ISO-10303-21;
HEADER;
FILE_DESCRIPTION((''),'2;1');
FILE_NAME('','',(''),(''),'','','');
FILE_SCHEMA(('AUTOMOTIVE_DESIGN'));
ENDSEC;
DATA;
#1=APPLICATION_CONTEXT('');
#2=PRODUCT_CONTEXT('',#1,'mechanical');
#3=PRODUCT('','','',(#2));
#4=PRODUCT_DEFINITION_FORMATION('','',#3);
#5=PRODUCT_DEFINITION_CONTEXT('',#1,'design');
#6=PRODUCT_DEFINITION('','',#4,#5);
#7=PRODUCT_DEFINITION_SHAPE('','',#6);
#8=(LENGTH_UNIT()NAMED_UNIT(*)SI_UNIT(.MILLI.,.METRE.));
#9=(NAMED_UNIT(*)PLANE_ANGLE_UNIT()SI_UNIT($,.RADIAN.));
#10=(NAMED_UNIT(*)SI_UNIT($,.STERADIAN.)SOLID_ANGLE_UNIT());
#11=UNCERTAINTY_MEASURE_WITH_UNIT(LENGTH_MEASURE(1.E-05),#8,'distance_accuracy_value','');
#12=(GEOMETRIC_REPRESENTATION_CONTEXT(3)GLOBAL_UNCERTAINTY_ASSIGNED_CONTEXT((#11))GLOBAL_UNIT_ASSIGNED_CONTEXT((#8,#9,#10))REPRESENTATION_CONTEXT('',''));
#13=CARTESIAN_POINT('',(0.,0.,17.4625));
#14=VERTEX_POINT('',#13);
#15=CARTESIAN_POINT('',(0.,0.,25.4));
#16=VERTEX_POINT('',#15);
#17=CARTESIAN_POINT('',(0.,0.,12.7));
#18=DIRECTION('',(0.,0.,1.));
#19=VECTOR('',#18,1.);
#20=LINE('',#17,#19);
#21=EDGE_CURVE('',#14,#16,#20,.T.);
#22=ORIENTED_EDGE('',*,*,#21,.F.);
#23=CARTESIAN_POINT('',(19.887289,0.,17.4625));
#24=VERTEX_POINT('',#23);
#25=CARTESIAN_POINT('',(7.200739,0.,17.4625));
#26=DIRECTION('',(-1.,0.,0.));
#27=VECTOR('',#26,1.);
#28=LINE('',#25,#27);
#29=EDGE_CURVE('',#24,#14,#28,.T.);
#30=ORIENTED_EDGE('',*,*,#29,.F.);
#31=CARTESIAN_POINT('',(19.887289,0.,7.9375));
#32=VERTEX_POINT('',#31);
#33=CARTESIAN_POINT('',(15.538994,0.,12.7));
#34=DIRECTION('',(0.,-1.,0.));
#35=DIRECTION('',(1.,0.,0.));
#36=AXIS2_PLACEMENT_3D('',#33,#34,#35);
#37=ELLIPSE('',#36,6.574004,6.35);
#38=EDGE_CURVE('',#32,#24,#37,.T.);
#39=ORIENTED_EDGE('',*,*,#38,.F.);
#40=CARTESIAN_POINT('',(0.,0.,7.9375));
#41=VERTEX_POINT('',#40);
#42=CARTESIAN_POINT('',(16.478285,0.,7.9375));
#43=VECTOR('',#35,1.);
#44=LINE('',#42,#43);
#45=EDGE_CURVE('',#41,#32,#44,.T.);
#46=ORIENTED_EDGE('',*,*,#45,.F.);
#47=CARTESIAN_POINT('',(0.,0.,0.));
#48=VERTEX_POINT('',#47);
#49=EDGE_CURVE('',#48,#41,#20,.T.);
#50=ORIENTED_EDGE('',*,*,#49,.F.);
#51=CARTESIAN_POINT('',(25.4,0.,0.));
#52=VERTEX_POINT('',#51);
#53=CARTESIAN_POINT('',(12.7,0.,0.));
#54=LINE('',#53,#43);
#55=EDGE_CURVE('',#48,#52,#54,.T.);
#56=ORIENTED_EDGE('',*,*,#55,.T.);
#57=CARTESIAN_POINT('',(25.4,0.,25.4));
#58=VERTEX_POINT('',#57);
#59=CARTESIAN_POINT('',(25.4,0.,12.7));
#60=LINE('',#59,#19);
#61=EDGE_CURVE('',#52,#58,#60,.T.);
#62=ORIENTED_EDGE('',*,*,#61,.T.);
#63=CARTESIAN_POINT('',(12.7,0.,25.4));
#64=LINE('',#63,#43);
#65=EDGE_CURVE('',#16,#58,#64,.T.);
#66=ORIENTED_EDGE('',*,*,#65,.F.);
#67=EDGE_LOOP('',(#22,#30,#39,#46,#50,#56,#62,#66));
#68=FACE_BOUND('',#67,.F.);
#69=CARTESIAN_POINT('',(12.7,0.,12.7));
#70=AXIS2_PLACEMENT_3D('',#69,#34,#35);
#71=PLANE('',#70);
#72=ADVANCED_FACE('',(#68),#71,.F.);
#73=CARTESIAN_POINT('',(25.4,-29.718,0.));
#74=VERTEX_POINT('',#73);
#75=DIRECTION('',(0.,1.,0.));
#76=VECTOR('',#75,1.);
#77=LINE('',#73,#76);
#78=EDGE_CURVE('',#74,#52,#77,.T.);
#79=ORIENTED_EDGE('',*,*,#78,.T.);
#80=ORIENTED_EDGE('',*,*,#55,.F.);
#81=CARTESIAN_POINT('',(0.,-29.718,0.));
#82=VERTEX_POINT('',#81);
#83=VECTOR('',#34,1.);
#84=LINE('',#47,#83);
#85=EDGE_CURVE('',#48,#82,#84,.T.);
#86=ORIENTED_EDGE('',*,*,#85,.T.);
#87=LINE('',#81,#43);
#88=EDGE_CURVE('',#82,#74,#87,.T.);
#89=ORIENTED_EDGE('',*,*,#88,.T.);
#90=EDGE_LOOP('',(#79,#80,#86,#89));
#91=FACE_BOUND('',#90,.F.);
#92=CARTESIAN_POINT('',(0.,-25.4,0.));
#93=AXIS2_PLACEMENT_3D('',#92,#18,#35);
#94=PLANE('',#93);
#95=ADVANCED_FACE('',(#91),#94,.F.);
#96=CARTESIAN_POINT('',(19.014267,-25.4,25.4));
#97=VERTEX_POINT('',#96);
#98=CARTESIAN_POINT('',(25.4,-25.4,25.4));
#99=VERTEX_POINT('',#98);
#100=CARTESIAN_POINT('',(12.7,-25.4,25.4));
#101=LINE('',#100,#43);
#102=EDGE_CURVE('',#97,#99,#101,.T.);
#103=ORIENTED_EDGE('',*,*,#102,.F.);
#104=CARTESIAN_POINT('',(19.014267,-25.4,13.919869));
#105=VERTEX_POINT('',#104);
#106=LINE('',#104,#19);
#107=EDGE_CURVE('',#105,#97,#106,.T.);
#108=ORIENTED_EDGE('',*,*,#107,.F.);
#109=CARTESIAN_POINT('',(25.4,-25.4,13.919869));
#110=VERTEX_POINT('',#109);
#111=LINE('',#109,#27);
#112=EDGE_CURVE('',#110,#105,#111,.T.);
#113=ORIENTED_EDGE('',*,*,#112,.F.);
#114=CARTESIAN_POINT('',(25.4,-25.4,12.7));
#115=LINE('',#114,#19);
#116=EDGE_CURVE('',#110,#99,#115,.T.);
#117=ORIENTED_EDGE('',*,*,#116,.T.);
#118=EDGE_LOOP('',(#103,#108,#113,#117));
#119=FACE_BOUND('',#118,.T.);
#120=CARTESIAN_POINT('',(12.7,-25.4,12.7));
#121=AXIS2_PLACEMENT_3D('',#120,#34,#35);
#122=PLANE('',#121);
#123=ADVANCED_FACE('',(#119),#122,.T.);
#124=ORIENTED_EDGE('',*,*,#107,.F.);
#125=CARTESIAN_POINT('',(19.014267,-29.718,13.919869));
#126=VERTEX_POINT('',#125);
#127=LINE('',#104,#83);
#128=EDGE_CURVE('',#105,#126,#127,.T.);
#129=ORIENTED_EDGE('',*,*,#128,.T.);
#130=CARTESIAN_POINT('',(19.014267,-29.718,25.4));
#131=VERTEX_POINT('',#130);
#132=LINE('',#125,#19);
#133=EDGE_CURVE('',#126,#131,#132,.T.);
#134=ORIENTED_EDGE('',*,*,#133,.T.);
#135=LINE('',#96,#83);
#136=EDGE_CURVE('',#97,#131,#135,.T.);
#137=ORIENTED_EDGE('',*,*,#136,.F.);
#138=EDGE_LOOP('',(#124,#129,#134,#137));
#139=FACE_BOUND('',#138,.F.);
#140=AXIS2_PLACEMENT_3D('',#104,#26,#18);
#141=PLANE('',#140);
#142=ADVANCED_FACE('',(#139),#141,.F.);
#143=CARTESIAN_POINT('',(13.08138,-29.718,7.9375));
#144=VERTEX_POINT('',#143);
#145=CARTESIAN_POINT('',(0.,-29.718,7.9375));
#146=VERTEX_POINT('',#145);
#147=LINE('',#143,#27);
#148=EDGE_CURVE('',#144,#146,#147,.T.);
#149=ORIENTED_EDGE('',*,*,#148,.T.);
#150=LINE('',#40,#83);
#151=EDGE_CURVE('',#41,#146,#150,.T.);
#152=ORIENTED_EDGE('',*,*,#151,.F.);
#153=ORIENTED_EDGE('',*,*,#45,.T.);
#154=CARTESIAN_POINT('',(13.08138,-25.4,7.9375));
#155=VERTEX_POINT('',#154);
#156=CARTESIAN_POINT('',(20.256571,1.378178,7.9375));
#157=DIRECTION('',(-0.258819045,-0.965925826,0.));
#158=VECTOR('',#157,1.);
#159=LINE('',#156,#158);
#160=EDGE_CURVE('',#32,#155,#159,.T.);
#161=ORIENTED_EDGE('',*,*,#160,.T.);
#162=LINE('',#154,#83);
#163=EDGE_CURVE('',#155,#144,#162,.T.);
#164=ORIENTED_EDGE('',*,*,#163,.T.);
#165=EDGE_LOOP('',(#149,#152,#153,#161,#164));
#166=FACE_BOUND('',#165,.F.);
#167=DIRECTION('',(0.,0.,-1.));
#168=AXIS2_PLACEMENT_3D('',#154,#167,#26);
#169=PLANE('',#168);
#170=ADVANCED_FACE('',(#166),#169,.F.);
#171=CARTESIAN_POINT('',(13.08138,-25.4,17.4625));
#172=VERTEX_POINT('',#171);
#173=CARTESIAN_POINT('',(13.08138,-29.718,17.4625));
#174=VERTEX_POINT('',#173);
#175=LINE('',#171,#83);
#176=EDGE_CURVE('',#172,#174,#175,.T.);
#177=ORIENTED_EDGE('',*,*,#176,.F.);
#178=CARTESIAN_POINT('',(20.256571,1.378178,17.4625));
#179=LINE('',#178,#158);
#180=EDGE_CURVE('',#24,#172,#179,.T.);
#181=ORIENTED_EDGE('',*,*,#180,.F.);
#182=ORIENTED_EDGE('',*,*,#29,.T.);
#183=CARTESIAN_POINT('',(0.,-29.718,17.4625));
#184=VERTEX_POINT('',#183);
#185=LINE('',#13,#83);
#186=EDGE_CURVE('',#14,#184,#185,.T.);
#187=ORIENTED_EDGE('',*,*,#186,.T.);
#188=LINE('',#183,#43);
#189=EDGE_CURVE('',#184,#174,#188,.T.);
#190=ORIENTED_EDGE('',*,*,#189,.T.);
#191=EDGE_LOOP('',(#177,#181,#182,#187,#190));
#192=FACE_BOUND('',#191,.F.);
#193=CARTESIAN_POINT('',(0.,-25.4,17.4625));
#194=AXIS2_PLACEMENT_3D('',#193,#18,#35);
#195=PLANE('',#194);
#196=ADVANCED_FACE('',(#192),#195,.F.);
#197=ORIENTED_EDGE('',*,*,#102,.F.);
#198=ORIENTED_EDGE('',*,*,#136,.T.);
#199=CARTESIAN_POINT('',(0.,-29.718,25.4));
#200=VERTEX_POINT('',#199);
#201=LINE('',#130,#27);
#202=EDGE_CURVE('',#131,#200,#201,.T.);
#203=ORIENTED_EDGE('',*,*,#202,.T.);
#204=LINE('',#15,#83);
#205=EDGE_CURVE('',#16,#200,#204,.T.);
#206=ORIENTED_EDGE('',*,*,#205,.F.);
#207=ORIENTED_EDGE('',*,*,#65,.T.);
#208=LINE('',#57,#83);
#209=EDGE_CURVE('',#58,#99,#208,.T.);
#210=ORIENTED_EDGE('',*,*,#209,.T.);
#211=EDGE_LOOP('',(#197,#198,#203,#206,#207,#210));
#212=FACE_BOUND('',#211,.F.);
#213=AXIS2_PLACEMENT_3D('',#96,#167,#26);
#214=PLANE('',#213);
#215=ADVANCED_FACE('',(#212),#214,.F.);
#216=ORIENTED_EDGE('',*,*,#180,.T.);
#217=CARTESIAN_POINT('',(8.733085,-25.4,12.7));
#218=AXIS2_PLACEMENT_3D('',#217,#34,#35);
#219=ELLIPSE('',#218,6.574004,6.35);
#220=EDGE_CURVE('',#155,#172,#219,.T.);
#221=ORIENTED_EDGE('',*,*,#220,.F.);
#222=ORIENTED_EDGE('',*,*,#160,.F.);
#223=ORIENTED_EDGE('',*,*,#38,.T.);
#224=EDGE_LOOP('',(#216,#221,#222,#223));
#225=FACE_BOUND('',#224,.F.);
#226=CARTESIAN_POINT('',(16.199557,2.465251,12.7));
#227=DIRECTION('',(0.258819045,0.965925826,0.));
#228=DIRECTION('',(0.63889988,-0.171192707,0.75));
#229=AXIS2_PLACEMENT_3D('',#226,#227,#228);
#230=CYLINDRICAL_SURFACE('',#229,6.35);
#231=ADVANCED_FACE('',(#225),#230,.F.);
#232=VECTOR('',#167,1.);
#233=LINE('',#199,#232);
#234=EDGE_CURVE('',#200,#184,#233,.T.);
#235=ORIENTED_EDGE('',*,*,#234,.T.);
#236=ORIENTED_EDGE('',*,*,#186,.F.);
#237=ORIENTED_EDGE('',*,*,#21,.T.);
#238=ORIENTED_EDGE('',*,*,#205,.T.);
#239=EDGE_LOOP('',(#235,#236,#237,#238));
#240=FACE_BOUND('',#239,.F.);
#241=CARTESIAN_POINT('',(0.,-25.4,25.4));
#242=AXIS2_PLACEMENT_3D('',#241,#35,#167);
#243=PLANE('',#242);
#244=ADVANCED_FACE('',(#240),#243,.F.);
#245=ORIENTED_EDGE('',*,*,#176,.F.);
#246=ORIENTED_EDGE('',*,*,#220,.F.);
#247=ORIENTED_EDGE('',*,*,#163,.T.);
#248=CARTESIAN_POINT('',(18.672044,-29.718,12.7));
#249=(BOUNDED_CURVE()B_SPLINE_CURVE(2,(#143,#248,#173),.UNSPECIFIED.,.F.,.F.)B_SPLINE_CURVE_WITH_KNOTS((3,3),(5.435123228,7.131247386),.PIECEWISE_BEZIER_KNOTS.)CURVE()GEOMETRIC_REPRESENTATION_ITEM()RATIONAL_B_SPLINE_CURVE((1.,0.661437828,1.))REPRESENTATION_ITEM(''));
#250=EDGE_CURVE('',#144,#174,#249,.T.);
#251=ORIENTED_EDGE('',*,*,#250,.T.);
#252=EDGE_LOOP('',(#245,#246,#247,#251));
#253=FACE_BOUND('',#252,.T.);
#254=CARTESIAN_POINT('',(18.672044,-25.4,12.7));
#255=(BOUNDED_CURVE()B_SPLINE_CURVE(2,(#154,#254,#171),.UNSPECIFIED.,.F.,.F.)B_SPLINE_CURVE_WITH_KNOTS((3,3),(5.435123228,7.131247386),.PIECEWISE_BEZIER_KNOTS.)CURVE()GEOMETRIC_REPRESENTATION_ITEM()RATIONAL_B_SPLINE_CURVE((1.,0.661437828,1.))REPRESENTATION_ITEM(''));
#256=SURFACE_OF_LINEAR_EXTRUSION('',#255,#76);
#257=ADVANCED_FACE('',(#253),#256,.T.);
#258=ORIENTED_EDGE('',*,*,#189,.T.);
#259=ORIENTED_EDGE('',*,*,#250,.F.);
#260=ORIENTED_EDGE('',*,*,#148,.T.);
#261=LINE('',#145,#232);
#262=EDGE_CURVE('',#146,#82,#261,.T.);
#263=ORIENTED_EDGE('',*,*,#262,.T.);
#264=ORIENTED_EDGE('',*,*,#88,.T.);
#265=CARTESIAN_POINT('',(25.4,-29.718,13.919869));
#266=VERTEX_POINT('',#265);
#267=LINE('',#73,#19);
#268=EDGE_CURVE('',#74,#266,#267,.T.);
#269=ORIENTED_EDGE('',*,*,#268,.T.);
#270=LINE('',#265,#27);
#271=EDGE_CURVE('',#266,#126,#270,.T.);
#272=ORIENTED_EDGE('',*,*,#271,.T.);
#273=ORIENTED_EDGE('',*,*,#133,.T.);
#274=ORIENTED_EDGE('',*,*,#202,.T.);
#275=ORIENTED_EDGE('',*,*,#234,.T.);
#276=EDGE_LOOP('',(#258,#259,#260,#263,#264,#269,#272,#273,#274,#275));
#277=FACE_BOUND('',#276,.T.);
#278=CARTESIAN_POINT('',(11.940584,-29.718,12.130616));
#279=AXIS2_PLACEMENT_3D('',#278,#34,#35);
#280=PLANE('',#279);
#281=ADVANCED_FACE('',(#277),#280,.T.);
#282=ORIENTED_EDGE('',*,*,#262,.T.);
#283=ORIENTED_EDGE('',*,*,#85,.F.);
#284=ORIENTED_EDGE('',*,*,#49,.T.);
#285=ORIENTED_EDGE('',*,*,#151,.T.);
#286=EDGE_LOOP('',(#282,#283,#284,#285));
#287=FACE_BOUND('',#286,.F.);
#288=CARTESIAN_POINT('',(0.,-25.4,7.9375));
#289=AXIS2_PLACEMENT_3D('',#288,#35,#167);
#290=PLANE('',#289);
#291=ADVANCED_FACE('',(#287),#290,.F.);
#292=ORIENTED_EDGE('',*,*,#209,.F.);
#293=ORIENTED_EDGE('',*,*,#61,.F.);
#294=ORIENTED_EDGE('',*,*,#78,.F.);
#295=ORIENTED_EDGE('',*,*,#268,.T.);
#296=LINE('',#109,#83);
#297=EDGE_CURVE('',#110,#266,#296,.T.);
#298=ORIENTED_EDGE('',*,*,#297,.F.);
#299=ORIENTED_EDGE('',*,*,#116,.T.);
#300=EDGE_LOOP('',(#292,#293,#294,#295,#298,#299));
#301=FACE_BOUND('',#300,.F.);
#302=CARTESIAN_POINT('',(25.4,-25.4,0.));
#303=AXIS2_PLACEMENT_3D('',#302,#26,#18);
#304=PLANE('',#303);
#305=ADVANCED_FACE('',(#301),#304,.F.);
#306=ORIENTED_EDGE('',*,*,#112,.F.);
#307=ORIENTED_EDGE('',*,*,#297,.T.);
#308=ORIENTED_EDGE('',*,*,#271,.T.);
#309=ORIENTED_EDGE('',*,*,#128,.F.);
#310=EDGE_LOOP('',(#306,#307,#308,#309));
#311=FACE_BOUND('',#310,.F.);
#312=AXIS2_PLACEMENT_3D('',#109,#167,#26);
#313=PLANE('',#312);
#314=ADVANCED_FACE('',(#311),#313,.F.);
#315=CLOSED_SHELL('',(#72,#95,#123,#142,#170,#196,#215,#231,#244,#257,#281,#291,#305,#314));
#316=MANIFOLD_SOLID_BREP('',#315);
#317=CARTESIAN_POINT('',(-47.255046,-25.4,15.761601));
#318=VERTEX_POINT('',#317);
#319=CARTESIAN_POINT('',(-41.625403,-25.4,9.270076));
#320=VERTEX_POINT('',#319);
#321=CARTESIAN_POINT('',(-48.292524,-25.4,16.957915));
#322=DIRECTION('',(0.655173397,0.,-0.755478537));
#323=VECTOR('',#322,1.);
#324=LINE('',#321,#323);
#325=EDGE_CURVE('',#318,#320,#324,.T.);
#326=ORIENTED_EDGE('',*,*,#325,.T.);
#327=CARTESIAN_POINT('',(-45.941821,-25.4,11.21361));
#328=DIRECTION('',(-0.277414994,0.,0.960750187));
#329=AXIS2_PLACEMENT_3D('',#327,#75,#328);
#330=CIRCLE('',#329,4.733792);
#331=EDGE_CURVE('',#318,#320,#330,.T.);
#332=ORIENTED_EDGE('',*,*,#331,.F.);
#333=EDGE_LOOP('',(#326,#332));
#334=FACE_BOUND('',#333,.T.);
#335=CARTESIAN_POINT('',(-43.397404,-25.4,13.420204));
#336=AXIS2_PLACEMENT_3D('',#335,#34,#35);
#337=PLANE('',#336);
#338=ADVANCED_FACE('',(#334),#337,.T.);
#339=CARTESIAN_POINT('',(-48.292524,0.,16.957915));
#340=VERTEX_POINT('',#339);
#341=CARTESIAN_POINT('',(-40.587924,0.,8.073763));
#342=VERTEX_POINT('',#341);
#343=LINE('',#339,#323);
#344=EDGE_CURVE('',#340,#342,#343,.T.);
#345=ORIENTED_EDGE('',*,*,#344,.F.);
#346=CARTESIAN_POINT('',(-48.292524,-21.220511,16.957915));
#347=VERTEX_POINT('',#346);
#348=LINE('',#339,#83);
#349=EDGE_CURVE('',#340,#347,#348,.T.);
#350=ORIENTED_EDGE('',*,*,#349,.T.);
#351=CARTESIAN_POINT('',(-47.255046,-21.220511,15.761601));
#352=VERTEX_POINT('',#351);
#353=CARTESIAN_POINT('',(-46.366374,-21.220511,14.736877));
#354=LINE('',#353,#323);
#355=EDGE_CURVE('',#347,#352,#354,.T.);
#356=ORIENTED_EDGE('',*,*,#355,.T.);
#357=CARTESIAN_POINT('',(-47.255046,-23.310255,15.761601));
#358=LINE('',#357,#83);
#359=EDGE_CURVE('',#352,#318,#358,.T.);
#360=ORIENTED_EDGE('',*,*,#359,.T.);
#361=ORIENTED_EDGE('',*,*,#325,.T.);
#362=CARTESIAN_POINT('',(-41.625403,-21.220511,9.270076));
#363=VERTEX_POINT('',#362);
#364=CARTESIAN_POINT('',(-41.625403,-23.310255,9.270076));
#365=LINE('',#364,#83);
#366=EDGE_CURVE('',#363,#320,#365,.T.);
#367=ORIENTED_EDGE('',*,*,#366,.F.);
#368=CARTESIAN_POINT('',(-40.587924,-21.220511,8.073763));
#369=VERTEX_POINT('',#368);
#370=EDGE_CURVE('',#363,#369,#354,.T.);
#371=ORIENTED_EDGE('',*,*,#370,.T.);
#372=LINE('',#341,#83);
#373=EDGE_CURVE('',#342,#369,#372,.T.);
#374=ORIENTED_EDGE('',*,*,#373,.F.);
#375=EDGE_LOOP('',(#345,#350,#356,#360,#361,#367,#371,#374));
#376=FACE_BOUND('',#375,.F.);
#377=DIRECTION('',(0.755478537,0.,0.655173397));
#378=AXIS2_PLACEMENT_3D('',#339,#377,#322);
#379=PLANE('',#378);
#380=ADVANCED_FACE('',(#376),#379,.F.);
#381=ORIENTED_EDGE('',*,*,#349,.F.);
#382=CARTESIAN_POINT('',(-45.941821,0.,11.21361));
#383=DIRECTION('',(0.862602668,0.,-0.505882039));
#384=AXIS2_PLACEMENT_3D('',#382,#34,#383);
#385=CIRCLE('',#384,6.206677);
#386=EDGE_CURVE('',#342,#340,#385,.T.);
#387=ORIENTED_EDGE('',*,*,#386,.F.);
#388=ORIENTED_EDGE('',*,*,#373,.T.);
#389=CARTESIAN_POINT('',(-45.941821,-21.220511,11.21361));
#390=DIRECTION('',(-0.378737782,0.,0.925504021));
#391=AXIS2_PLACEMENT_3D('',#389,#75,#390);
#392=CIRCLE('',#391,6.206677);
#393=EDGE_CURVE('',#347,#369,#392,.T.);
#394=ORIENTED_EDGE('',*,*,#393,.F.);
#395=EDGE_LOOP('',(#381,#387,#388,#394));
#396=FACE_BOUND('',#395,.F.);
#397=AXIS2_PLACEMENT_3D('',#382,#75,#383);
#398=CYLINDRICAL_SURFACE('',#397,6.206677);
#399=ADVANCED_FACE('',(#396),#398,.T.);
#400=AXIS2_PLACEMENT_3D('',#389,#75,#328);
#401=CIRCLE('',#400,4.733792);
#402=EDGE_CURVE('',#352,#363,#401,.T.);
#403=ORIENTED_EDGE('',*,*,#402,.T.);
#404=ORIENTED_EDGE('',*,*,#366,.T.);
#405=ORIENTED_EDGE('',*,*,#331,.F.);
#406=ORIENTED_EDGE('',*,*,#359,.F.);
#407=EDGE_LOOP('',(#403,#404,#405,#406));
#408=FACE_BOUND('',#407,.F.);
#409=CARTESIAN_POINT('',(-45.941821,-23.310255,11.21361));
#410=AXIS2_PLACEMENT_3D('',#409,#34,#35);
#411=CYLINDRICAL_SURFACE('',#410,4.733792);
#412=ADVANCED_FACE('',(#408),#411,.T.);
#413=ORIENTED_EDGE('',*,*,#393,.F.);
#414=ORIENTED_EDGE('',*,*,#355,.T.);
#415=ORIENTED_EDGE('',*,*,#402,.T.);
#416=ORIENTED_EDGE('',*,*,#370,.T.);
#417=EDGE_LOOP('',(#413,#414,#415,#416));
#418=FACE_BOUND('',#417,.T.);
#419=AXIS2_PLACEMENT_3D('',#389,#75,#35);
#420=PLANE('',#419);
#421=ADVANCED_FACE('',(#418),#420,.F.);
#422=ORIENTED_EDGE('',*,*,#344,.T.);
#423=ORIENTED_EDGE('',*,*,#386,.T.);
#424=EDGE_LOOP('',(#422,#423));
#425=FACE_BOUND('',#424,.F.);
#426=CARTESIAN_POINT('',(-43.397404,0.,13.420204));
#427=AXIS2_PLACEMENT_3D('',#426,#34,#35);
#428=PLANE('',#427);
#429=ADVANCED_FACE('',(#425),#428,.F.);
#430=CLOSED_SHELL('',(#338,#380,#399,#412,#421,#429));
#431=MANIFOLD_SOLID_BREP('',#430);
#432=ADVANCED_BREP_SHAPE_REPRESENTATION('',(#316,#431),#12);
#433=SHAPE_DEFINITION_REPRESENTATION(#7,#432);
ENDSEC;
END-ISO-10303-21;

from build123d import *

# Parameters (mm, degrees)
F0_W      = 25.4
F0_H      = 25.4
F1_DEPTH  = 25.4
F4_DEPTH  = 31.1095197333
F6_DEPTH  = 25.4
F8_W      = 1.4728852918
F8_H      = 4.1794891745
F11_DEPTH = 4.318


with BuildPart() as f1:
    # F0 (on Front) → F1 (new body)
    with BuildSketch(Plane.XZ):
        with Locations((12.7, 12.7)):
            Rectangle(F0_W, F0_H)
    extrude(amount=F1_DEPTH)

    # F3 (on face) → F4 (cut, through all)
    with BuildSketch(Plane(origin=(1.7014773719, 6.35, 0), x_dir=(-0.9659258263, 0.2588190451, 0), z_dir=(0.2588190451, 0.9659258263, 0))):
        with BuildLine():
            Line((0, 17.4625), (-19.2096461941, 17.4625))
            ThreePointArc((-19.2096461941, 17.4625), (-21.3595159877, 12.7), (-19.2096461941, 7.9375))
            Line((-19.2096461941, 7.9375), (0, 7.9375))
            Line((0, 7.9375), (0, 17.4625))
        make_face()
    extrude(amount=-F4_DEPTH, mode=Mode.SUBTRACT)

    # F10 (on face) → F11 (join)
    with BuildSketch(Plane.XZ.offset(25.4)):
        with BuildLine():
            Line((19.0142672509, 13.9198685065), (19.0142672509, 25.4))
            Line((19.0142672509, 25.4), (0, 25.4))
            Line((0, 25.4), (0, 17.4625))
            Line((0, 17.4625), (13.0813796511, 17.4625))
            add(Edge.make_bspline(
                [(13.0813796511, 7.9375), (18.6720443389, 12.7), (13.0813796511, 17.4625)],
                knots=[5.4351232282, 5.4351232282, 5.4351232282, 7.1312473862, 7.1312473862, 7.1312473862], degree=2, weights=[1, 0.6614378278, 1]))
            Line((13.0813796511, 7.9375), (0, 7.9375))
            Line((0, 7.9375), (0, 0))
            Line((0, 0), (25.4, 0))
            Line((25.4, 0), (25.4, 13.9198685065))
            Line((25.4, 13.9198685065), (19.0142672509, 13.9198685065))
        make_face()
    extrude(amount=F11_DEPTH)


with BuildPart() as f6:
    # F5 (on Front) → F6 (new body)
    with BuildSketch(Plane.XZ):
        with BuildLine():
            Line((-48.2925241717, 16.9579145359), (-40.5879244208, 8.0737629905))
            ThreePointArc((-40.5879244208, 8.0737629905), (-41.2528093466, 15.2800595559), (-48.2925241717, 16.9579145359))
        make_face()
    extrude(amount=F6_DEPTH)

    # F8 (on face) → F9 (revolve, cut)
    with BuildSketch(Plane(origin=(0, 0, 11.2136096217), x_dir=(1, 0, 0), z_dir=(0, 0, -1))):
        with Locations((-40.4715861474, 23.3102554128)):
            Rectangle(F8_W, F8_H)
    revolve(axis=Axis((-45.9418209286, 0, 11.2136096217), (0, 1, 0)), mode=Mode.SUBTRACT)


solid = Compound([f1.part, f6.part])
